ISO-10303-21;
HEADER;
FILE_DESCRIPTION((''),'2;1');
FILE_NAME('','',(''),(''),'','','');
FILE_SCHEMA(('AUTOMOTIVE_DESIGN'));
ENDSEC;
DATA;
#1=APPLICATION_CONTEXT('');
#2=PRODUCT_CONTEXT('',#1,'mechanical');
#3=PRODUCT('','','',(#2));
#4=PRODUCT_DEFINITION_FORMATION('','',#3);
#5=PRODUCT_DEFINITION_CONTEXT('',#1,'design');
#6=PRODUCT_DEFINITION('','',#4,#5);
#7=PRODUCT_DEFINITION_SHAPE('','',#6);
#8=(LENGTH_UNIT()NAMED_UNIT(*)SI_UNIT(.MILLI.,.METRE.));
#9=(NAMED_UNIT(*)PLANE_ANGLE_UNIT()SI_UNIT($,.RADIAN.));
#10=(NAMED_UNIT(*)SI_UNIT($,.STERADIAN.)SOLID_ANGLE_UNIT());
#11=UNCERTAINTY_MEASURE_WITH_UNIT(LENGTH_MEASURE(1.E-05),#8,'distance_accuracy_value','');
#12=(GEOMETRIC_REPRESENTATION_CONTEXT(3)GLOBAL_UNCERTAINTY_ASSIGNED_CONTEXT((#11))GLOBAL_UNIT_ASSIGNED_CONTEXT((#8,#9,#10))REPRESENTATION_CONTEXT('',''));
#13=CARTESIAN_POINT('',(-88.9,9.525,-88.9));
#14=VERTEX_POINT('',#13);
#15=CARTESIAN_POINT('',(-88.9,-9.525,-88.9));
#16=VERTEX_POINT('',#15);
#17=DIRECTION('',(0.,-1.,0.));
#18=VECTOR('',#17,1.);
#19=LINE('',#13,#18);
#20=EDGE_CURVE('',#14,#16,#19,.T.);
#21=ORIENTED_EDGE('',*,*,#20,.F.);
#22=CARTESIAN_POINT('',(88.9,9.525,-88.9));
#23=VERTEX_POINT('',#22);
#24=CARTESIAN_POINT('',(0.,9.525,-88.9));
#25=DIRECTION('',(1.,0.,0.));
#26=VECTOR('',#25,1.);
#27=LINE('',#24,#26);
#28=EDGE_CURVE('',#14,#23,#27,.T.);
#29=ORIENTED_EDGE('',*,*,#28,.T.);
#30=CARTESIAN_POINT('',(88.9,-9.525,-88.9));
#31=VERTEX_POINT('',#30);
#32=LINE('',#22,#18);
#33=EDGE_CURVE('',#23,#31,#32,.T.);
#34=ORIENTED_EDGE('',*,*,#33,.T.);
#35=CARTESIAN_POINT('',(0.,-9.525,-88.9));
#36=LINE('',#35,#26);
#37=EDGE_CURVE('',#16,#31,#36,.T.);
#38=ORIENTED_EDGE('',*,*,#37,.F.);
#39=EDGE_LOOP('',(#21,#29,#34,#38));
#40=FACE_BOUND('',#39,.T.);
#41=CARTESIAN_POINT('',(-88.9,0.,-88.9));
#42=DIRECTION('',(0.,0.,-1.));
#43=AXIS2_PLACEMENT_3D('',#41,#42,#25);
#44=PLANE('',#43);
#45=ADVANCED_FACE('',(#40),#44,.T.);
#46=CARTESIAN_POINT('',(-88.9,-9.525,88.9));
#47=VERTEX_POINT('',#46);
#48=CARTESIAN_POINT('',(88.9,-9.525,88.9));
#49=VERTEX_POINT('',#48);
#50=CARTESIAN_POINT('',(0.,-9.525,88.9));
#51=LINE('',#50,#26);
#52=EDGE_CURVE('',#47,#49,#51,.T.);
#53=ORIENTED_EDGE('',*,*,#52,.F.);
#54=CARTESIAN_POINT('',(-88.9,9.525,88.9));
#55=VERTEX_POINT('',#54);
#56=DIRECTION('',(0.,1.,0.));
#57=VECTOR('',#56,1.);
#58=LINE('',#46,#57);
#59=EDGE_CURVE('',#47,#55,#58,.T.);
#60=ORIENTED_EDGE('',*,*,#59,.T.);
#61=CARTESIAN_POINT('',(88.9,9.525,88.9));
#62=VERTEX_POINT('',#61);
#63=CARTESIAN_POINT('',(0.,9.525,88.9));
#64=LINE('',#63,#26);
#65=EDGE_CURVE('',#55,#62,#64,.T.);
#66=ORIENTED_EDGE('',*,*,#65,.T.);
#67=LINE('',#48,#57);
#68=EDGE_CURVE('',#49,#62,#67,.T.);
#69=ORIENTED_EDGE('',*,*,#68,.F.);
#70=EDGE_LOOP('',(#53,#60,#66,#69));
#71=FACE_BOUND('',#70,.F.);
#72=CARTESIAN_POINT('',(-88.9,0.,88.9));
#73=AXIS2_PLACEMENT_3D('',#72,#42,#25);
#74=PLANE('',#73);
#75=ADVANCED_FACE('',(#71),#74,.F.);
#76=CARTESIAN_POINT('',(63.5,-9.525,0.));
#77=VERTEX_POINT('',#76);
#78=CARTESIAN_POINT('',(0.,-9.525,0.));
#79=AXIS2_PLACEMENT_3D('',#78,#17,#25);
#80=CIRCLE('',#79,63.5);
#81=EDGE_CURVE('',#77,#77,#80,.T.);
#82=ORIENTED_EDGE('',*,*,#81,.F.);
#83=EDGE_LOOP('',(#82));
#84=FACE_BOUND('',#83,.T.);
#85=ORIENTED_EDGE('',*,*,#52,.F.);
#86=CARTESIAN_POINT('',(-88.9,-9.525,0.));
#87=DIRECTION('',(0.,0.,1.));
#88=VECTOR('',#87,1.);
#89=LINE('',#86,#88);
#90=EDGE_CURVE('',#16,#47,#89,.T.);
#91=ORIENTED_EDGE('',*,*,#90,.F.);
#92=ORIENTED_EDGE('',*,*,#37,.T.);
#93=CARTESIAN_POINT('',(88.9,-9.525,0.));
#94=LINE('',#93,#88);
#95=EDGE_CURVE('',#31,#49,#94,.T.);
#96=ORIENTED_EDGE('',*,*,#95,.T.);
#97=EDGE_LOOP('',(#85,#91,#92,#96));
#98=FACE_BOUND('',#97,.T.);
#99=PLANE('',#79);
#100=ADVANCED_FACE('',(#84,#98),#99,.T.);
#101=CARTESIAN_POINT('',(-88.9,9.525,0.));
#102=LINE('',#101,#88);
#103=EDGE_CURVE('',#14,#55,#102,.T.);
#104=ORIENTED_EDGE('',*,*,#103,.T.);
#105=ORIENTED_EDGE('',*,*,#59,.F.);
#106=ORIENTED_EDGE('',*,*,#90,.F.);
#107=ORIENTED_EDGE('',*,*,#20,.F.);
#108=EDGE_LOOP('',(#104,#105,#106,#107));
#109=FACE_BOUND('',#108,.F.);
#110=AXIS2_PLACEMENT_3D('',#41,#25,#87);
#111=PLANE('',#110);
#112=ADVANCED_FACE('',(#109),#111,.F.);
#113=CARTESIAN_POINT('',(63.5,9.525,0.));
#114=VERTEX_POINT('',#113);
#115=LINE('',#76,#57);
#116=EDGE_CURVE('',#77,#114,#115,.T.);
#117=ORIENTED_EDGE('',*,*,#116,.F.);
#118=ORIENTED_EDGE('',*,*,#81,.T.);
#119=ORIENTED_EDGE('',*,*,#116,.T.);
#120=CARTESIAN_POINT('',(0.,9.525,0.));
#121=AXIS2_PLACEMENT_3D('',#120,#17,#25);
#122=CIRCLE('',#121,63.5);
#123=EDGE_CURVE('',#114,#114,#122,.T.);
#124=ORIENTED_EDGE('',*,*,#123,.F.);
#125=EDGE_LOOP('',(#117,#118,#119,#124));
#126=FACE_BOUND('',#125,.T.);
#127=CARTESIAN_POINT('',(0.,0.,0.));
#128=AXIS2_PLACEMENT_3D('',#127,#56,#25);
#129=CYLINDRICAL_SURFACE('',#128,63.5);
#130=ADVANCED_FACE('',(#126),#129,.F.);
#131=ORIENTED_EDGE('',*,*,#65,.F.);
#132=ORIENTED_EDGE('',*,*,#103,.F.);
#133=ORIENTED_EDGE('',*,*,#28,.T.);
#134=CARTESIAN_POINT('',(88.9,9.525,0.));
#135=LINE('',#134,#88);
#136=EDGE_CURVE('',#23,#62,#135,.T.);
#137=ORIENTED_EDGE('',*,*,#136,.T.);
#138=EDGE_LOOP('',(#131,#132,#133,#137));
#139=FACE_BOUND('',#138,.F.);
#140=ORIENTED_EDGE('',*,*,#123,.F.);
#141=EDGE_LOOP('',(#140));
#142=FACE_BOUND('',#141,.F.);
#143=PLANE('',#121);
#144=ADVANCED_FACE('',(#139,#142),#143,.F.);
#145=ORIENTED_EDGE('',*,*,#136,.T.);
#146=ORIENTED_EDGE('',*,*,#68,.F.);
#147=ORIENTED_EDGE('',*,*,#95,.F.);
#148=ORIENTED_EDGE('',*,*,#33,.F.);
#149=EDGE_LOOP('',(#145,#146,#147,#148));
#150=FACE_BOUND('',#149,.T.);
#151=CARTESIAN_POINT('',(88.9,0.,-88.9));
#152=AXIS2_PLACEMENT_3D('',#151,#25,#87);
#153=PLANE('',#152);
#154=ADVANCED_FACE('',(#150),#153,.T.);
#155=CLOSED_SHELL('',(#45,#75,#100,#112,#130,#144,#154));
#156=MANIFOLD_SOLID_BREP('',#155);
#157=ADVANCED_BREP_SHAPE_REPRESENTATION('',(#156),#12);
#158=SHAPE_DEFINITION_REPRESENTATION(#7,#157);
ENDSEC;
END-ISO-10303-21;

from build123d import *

# Parameters (mm, degrees)
F1_W     = 177.8
F1_H     = 177.8
F1_R     = 63.5
F2_DEPTH = 9.525


with BuildPart() as f2:
    # F1 (on face) → F2 (new body, symmetric)
    with BuildSketch(Plane.XZ):
        Rectangle(F1_W, F1_H)
        Circle(F1_R, mode=Mode.SUBTRACT)
    extrude(amount=F2_DEPTH, both=True)


solid = f2.part
